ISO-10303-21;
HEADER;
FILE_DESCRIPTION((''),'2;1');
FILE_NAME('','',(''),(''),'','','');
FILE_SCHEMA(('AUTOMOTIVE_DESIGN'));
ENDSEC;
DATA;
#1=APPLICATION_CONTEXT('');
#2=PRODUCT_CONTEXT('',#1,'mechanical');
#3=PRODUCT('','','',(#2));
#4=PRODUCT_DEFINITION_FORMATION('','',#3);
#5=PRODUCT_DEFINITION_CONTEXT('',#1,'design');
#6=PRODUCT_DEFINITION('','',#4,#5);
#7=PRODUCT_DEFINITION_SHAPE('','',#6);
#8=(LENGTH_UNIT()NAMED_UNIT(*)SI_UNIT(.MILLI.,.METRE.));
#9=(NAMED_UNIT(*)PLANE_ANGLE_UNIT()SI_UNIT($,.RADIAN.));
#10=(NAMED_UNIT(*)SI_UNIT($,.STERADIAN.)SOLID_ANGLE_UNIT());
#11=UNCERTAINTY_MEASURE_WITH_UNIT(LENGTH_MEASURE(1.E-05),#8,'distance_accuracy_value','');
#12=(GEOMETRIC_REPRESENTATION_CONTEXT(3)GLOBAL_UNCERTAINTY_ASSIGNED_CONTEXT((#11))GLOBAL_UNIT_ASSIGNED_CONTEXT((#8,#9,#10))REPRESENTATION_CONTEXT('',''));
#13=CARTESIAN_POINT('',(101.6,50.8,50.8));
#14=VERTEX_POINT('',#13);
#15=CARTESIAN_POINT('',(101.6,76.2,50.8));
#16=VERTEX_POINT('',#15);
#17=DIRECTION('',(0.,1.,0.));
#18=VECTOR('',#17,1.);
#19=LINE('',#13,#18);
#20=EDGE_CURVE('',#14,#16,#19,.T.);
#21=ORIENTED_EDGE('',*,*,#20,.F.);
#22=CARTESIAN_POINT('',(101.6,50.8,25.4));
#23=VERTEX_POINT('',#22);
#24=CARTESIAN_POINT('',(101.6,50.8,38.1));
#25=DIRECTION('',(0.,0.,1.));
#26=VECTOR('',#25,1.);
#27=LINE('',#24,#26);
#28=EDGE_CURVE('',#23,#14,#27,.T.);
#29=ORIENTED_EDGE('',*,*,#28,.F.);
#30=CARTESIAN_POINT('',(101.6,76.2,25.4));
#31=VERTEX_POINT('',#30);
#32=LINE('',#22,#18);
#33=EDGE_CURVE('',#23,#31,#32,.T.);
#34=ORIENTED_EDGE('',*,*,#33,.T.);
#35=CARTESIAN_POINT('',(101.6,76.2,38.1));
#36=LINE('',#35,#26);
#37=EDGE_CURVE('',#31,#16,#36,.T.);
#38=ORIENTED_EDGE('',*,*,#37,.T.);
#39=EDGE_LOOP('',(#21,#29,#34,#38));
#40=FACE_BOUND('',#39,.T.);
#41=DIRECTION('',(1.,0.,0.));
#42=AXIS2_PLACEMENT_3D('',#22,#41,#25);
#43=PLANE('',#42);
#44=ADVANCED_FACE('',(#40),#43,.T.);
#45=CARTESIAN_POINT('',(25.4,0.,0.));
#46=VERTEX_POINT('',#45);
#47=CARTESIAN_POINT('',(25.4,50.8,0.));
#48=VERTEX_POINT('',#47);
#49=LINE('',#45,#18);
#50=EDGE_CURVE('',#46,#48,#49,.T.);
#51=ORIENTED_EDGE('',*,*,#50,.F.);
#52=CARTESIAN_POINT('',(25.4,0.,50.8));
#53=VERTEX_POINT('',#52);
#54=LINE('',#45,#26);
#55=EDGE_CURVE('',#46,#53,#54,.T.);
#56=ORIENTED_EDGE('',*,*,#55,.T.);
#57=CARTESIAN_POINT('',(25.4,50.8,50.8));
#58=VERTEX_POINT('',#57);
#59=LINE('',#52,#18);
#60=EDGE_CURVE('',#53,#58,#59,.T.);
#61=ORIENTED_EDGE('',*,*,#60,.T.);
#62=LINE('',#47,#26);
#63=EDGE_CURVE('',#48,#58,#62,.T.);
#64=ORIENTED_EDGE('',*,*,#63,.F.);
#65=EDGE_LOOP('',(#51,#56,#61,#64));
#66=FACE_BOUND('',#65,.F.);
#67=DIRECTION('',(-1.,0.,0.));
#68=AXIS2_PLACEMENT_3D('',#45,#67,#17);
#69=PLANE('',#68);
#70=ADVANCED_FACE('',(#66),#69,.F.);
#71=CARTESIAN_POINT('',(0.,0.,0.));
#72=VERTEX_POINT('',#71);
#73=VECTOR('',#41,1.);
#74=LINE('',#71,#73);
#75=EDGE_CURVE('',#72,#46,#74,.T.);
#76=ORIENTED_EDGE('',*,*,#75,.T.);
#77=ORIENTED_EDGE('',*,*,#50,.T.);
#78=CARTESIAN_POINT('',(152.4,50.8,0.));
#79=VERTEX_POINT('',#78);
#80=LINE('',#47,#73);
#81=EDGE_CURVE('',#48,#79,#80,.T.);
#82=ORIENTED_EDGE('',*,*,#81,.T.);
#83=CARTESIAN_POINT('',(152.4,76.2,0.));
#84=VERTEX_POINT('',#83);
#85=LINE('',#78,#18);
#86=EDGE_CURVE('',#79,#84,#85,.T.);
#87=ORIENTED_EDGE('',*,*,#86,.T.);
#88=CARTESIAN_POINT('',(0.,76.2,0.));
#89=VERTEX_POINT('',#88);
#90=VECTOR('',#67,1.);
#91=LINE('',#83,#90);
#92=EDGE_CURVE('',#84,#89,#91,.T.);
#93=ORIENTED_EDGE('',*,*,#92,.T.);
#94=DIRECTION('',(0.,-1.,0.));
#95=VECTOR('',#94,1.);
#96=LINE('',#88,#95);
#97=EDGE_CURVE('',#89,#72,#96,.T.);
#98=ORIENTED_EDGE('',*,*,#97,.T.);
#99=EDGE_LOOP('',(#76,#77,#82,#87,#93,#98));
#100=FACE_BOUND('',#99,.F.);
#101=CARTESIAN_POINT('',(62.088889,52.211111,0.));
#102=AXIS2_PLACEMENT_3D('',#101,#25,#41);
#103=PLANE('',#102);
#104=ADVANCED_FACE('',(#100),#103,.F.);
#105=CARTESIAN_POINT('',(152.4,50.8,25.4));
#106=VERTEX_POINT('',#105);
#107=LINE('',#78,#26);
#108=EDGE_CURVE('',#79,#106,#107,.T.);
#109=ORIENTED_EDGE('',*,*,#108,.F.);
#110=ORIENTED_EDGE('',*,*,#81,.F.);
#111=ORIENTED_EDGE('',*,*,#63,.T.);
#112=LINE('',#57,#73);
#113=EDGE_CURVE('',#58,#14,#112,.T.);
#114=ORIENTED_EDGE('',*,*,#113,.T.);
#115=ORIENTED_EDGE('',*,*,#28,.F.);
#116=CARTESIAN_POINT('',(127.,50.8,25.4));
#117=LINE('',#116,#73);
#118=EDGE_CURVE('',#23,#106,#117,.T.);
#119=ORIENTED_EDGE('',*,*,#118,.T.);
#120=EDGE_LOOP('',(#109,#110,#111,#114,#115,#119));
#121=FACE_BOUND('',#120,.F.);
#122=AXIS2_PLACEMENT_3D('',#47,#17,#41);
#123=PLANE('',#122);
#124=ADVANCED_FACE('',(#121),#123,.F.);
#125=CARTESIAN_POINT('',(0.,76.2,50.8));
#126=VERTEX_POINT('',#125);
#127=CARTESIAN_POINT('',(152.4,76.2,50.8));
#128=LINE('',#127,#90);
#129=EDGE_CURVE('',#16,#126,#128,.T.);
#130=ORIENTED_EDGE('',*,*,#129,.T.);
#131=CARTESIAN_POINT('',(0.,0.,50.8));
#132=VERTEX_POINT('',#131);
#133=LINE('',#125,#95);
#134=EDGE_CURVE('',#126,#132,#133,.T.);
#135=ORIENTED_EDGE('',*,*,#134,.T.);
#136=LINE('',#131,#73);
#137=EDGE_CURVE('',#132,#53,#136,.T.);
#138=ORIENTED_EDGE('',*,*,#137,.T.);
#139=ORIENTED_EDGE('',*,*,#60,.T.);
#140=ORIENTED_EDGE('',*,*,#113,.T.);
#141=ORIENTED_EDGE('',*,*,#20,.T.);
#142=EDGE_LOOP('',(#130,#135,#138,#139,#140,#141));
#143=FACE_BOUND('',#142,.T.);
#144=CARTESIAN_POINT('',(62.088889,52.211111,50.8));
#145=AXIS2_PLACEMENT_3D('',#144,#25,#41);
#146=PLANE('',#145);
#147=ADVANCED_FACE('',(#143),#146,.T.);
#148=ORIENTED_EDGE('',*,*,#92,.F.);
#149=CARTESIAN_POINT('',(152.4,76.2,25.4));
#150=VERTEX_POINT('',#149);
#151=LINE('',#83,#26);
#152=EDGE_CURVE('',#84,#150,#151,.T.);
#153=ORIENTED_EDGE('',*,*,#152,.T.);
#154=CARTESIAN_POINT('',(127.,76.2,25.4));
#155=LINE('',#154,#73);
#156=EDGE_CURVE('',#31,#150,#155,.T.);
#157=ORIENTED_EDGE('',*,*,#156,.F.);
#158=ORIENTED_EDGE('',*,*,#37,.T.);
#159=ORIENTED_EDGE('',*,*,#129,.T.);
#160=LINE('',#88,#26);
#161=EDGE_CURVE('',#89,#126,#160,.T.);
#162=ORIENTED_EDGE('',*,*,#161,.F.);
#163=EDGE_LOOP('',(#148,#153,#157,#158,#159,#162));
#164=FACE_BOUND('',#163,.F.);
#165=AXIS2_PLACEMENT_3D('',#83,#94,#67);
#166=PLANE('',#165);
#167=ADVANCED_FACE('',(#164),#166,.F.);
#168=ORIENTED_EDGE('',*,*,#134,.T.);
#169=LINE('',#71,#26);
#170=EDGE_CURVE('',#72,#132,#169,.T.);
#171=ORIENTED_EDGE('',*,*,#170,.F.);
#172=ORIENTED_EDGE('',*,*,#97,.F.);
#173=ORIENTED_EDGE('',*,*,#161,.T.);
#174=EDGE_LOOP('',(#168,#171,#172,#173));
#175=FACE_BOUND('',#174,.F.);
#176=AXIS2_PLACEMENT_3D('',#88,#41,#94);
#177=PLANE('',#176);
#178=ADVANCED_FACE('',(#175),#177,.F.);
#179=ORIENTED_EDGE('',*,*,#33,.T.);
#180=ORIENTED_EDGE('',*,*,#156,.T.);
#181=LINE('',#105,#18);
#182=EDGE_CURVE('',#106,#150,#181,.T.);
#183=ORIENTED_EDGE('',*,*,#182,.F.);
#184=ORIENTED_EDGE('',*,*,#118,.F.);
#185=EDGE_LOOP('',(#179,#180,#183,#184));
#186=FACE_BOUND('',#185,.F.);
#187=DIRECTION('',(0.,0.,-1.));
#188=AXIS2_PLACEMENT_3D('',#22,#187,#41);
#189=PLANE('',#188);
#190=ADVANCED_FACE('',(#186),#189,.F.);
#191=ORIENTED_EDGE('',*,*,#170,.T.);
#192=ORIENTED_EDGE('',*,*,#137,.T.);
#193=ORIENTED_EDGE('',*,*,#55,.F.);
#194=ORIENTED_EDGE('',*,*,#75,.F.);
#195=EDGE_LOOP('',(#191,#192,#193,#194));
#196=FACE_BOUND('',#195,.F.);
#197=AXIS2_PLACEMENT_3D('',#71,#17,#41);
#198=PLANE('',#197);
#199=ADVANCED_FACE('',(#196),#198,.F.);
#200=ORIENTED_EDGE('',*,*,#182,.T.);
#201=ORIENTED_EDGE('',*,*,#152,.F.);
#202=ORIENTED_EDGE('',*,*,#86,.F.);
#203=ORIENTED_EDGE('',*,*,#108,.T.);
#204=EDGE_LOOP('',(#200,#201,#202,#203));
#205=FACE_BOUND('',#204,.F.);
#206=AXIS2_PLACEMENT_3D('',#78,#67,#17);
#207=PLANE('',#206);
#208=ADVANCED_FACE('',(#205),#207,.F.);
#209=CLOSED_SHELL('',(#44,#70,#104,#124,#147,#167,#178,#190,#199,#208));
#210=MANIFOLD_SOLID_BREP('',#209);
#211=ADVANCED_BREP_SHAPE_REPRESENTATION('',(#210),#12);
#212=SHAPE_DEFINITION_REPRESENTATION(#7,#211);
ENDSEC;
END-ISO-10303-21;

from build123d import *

# Parameters (mm, degrees)
F1_DEPTH = 50.8
F2_W     = 50.8
F2_H     = 25.4
F3_DEPTH = 25.4


with BuildPart() as f1:
    # F0 (on Top) → F1 (new body)
    with BuildSketch(Plane.XY):
        Polygon((0, 76.2), (0, 0), (25.4, 0), (25.4, 50.8), (152.4, 50.8), (152.4, 76.2), align=None)
    extrude(amount=F1_DEPTH)

    # F2 (on face) → F3 (cut)
    with BuildSketch(Plane.XZ.offset(-50.8)):
        with Locations((127, 38.1)):
            Rectangle(F2_W, F2_H)
    extrude(amount=-F3_DEPTH, mode=Mode.SUBTRACT)


solid = f1.part
